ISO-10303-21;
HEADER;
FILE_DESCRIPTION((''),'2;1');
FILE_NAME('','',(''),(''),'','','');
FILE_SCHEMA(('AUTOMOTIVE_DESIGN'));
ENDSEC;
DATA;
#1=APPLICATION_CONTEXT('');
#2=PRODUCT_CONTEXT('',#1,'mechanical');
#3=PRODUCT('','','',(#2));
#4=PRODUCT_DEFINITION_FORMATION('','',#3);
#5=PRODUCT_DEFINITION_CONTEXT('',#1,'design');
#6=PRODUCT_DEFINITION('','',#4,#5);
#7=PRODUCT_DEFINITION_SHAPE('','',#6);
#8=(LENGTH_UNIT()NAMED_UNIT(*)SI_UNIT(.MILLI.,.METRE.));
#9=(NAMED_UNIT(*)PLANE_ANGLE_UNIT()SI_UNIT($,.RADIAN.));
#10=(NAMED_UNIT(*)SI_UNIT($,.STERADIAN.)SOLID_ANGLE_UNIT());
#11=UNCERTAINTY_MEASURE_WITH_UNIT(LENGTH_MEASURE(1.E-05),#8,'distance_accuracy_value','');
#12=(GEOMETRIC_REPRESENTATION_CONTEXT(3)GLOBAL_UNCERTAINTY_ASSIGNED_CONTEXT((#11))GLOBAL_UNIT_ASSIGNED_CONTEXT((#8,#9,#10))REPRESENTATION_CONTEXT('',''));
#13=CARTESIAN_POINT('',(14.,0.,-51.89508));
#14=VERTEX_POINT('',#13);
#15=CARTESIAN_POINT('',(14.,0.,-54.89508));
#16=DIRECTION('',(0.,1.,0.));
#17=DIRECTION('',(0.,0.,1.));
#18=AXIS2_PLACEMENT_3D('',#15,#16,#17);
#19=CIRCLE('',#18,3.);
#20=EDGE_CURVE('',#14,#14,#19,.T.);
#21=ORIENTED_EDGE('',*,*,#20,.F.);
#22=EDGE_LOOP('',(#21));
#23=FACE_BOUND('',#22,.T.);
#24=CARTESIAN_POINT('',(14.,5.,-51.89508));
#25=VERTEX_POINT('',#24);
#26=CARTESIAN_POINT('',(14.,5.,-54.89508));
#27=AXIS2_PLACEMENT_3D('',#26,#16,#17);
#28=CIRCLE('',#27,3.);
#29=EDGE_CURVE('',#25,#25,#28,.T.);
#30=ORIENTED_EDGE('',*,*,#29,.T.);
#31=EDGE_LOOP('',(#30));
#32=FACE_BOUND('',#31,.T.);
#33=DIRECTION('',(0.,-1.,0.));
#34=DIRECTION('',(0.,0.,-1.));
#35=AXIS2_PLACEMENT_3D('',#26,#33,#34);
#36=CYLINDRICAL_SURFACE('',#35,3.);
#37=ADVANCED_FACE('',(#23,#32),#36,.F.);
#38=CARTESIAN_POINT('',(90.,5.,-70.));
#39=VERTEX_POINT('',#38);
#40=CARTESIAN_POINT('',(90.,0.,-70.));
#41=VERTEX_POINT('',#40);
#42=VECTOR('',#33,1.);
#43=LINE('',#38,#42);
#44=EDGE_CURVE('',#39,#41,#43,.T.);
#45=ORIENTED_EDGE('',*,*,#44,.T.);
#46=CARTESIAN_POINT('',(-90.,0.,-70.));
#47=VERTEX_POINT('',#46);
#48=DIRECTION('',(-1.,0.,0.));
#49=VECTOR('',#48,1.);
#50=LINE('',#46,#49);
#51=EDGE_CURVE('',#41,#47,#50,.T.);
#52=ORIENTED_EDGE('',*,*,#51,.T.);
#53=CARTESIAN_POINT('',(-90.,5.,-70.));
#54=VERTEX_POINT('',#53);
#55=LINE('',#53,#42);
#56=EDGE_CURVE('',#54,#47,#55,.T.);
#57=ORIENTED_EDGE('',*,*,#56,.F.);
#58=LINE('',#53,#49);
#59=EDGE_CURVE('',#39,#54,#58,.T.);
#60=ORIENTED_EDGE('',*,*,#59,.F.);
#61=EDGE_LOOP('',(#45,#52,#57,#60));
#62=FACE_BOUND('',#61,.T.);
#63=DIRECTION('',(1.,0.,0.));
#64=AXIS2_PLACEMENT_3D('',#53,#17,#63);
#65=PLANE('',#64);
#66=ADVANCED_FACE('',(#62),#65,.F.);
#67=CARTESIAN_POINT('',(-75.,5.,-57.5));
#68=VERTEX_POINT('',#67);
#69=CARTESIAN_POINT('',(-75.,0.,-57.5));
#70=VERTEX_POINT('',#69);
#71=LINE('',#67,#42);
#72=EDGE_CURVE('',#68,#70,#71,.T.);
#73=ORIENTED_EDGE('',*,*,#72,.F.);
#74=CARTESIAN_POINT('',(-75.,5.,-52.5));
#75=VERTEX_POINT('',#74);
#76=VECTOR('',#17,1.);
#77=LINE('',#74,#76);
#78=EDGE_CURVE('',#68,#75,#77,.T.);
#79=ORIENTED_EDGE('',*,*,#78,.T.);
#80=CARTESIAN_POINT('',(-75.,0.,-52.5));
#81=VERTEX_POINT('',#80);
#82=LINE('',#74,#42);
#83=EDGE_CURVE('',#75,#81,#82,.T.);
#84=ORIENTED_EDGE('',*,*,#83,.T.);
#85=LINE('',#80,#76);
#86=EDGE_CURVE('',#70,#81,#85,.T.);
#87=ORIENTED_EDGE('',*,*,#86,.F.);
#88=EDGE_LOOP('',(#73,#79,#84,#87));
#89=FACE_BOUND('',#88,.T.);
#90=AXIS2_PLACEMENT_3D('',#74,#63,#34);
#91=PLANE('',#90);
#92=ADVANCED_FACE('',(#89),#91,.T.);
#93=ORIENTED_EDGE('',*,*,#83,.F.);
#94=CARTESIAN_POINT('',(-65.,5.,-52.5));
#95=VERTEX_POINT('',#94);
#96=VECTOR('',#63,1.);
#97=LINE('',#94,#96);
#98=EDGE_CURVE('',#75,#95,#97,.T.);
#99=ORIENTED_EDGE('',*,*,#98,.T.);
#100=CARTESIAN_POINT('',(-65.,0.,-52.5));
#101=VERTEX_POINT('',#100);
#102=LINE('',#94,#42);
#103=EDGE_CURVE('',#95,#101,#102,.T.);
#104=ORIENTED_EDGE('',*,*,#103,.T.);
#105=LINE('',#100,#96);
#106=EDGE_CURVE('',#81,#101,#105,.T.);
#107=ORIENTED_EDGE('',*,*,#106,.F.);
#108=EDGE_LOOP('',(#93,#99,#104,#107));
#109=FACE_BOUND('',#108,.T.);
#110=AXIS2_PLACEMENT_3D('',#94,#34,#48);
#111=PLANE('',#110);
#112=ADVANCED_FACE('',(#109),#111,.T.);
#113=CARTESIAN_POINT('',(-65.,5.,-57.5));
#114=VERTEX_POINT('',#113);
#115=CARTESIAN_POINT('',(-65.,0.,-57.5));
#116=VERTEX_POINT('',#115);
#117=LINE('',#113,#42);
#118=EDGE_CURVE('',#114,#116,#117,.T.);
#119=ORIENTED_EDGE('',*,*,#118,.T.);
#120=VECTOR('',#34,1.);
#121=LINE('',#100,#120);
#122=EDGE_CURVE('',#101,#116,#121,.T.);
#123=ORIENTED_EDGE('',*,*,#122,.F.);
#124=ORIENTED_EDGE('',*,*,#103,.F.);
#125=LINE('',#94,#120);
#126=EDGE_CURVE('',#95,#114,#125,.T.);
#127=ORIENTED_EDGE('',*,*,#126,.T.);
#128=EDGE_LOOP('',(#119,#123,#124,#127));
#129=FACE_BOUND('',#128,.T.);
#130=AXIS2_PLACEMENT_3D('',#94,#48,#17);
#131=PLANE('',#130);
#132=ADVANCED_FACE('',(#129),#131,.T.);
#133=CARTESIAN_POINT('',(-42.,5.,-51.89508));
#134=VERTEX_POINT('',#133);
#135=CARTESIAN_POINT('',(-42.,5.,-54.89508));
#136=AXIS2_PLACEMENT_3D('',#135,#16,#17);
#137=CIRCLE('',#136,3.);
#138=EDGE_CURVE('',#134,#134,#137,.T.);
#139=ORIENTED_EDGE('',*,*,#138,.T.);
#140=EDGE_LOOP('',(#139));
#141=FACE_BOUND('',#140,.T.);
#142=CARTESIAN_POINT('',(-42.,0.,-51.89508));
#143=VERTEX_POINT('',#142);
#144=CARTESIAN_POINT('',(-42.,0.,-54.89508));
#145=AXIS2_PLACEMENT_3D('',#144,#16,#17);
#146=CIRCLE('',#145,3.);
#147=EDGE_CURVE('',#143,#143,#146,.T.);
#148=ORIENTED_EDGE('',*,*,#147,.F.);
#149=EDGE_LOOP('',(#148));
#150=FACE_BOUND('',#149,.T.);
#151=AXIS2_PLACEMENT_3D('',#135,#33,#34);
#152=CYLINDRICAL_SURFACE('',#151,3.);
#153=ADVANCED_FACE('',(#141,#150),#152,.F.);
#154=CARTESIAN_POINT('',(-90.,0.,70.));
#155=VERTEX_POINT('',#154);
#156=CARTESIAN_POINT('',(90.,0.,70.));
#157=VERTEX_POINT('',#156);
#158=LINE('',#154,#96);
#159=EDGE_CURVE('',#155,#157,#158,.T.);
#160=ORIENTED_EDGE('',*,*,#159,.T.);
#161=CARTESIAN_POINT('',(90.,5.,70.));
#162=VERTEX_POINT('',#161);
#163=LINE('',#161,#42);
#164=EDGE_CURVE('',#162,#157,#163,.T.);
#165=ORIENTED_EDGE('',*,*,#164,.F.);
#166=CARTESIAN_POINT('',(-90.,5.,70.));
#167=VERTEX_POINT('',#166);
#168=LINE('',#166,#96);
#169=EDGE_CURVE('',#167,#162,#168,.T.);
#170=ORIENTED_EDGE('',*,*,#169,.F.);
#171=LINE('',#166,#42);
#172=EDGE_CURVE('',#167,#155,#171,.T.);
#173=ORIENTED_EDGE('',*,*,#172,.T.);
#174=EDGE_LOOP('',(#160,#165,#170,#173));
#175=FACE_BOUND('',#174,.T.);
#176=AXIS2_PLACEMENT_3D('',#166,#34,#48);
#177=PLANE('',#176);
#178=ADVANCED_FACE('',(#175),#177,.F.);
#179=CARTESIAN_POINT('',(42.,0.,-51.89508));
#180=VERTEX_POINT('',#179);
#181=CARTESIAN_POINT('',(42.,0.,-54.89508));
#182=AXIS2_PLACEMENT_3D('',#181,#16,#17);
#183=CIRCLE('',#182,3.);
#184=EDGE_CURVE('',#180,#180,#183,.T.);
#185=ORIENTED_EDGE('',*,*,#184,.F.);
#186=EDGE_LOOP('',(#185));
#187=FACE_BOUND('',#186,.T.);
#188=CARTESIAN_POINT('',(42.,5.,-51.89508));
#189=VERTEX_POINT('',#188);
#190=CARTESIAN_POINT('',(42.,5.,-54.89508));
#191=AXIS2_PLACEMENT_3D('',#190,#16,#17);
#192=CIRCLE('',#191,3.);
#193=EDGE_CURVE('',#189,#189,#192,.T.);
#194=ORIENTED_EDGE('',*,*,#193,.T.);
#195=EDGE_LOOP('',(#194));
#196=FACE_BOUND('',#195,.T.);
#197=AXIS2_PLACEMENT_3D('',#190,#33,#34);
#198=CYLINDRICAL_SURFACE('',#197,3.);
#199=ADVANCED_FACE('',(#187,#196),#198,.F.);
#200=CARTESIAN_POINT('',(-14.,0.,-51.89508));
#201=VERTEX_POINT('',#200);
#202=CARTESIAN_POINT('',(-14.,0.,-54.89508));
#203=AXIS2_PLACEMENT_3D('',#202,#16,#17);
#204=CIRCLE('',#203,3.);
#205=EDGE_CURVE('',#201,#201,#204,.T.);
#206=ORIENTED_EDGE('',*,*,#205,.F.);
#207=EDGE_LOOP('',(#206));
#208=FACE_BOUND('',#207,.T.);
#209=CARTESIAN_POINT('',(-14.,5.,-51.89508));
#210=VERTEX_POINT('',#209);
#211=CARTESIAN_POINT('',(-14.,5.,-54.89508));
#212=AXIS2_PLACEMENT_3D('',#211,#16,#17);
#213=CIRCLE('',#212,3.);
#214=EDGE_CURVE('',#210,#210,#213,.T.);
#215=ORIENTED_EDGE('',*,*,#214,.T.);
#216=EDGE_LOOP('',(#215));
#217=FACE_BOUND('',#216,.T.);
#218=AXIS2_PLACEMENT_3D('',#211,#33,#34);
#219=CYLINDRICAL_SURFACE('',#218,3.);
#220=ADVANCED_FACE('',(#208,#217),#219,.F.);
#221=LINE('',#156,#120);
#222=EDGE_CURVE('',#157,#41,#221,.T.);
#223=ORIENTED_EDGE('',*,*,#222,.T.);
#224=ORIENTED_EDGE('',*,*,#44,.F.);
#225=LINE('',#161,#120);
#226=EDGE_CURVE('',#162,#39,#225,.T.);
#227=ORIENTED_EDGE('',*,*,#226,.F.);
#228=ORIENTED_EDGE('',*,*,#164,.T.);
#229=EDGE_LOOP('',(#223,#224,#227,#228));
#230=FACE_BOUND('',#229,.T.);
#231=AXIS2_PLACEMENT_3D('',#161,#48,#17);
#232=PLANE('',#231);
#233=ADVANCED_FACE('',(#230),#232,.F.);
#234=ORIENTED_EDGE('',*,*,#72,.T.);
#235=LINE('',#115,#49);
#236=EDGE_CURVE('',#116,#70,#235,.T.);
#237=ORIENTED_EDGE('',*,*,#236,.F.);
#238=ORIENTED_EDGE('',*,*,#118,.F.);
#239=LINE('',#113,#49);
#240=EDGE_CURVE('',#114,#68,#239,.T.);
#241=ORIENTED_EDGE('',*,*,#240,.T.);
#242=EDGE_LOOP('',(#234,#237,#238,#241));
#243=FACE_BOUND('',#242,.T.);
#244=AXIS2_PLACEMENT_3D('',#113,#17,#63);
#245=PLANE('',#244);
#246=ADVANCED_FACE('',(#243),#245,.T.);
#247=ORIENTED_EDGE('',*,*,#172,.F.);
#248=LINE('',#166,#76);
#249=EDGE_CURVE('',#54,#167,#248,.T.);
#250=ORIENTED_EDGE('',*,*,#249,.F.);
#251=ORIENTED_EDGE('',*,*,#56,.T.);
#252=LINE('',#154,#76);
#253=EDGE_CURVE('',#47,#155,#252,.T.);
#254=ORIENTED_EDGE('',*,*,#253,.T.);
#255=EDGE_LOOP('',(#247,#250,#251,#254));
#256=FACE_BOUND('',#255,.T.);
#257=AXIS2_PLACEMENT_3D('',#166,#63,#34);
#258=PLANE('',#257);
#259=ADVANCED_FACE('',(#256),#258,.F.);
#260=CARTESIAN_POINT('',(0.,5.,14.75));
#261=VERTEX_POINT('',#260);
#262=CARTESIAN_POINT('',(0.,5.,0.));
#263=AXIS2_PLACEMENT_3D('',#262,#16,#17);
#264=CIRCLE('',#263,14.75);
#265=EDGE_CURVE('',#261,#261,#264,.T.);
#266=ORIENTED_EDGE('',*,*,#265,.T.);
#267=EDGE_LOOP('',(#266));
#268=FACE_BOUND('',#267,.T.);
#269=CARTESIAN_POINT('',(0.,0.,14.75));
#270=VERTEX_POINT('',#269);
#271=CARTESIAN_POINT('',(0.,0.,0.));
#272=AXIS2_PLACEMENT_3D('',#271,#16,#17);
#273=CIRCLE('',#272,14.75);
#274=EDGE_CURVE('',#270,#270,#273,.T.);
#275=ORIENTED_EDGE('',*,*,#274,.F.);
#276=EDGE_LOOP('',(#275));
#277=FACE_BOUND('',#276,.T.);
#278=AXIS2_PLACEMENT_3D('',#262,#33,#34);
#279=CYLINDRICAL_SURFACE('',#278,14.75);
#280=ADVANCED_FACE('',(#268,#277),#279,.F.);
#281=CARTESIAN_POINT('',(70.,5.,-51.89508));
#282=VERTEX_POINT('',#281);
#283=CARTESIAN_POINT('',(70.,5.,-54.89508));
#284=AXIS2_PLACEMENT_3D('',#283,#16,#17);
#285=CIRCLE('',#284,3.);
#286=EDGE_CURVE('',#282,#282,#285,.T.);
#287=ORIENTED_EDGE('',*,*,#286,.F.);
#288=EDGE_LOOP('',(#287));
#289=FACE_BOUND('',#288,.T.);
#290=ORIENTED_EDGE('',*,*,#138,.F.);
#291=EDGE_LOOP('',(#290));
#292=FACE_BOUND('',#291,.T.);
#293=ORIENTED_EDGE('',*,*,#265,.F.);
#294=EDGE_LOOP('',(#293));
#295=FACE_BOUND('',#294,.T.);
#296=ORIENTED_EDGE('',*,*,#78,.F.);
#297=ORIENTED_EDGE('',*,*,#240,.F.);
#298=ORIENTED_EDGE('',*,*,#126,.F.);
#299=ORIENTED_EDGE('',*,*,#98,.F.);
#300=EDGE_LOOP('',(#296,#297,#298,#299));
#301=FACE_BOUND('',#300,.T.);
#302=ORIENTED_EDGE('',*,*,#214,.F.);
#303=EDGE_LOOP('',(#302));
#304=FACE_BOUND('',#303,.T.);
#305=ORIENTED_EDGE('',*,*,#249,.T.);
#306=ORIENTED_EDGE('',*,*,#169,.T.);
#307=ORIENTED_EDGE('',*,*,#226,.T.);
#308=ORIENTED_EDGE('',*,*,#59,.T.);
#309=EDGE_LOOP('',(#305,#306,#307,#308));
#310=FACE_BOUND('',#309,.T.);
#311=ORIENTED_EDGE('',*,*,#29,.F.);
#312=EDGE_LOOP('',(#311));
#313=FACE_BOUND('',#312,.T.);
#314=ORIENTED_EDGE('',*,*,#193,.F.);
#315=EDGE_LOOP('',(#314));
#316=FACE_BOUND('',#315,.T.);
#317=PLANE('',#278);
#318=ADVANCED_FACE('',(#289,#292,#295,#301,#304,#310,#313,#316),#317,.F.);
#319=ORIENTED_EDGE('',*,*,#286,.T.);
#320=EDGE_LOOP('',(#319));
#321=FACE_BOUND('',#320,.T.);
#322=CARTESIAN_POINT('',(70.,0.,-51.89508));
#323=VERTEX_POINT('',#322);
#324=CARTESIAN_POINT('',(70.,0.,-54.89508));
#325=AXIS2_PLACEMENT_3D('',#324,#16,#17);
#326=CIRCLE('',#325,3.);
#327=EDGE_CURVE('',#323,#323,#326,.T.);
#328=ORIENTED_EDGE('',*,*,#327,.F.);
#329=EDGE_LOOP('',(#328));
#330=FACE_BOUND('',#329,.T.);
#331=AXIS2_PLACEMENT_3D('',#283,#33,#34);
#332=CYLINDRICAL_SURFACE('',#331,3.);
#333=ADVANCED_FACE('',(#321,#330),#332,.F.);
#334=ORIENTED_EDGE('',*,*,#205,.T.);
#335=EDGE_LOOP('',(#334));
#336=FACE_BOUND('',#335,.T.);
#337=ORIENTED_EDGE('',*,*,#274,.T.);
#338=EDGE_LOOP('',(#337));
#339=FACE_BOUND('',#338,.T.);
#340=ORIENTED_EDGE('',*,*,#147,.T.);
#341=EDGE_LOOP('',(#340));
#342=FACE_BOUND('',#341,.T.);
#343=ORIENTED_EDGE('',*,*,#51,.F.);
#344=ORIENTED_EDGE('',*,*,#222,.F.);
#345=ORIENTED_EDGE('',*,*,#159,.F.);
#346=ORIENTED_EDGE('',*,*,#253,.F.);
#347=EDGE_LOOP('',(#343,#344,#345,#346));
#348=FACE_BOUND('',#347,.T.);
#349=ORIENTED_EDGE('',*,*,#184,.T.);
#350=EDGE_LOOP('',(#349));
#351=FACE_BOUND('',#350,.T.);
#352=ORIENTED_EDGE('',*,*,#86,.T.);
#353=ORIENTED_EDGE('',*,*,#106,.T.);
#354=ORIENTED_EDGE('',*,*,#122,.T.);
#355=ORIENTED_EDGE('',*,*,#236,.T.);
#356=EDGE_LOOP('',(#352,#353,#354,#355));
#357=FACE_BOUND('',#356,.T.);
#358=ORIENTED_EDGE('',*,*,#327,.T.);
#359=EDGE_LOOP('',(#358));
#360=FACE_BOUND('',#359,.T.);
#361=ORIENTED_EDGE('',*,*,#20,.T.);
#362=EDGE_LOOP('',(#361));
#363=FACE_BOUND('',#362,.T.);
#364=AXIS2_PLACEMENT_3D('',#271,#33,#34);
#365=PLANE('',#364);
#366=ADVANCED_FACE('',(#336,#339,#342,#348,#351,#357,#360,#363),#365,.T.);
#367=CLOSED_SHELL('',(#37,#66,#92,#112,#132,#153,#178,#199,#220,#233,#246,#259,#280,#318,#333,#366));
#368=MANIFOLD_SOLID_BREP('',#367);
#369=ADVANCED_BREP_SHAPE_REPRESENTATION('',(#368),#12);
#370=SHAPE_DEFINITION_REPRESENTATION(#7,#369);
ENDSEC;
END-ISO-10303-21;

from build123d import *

# Parameters (mm, degrees)
IZIM1_W                     = 180
IZIM1_H                     = 140
IZIM1_R                     = 14.75
IZIM1_R_2                   = 3
IZIM1_W_2                   = 10
IZIM1_H_2                   = 5
Y_KSEKLIK_EKSTR_ZYON1_DEPTH = 5


with BuildPart() as part:
    # Çizim1 → Yükseklik-Ekstrüzyon1 (new body)
    with BuildSketch(Plane(origin=(0, 0, 0), x_dir=(1, 0, 0), z_dir=(0, 1, 0))):
        Rectangle(IZIM1_W, IZIM1_H)
        with Locations(Location((0, 0, 0), (0, 0, 270))):
            Circle(IZIM1_R, mode=Mode.SUBTRACT)
        with Locations(Location((70, 54.895079595, 0), (0, 0, 270))):
            Circle(IZIM1_R_2, mode=Mode.SUBTRACT)
        with Locations(Location((42, 54.895079595, 0), (0, 0, 270))):
            Circle(IZIM1_R_2, mode=Mode.SUBTRACT)
        with Locations(Location((14, 54.895079595, 0), (0, 0, 270))):
            Circle(IZIM1_R_2, mode=Mode.SUBTRACT)
        with Locations(Location((-14, 54.895079595, 0), (0, 0, 270))):
            Circle(IZIM1_R_2, mode=Mode.SUBTRACT)
        with Locations(Location((-42, 54.895079595, 0), (0, 0, 270))):
            Circle(IZIM1_R_2, mode=Mode.SUBTRACT)
        with Locations((-70, 55)):
            Rectangle(IZIM1_W_2, IZIM1_H_2, mode=Mode.SUBTRACT)
    extrude(amount=Y_KSEKLIK_EKSTR_ZYON1_DEPTH)


solid = part.part
